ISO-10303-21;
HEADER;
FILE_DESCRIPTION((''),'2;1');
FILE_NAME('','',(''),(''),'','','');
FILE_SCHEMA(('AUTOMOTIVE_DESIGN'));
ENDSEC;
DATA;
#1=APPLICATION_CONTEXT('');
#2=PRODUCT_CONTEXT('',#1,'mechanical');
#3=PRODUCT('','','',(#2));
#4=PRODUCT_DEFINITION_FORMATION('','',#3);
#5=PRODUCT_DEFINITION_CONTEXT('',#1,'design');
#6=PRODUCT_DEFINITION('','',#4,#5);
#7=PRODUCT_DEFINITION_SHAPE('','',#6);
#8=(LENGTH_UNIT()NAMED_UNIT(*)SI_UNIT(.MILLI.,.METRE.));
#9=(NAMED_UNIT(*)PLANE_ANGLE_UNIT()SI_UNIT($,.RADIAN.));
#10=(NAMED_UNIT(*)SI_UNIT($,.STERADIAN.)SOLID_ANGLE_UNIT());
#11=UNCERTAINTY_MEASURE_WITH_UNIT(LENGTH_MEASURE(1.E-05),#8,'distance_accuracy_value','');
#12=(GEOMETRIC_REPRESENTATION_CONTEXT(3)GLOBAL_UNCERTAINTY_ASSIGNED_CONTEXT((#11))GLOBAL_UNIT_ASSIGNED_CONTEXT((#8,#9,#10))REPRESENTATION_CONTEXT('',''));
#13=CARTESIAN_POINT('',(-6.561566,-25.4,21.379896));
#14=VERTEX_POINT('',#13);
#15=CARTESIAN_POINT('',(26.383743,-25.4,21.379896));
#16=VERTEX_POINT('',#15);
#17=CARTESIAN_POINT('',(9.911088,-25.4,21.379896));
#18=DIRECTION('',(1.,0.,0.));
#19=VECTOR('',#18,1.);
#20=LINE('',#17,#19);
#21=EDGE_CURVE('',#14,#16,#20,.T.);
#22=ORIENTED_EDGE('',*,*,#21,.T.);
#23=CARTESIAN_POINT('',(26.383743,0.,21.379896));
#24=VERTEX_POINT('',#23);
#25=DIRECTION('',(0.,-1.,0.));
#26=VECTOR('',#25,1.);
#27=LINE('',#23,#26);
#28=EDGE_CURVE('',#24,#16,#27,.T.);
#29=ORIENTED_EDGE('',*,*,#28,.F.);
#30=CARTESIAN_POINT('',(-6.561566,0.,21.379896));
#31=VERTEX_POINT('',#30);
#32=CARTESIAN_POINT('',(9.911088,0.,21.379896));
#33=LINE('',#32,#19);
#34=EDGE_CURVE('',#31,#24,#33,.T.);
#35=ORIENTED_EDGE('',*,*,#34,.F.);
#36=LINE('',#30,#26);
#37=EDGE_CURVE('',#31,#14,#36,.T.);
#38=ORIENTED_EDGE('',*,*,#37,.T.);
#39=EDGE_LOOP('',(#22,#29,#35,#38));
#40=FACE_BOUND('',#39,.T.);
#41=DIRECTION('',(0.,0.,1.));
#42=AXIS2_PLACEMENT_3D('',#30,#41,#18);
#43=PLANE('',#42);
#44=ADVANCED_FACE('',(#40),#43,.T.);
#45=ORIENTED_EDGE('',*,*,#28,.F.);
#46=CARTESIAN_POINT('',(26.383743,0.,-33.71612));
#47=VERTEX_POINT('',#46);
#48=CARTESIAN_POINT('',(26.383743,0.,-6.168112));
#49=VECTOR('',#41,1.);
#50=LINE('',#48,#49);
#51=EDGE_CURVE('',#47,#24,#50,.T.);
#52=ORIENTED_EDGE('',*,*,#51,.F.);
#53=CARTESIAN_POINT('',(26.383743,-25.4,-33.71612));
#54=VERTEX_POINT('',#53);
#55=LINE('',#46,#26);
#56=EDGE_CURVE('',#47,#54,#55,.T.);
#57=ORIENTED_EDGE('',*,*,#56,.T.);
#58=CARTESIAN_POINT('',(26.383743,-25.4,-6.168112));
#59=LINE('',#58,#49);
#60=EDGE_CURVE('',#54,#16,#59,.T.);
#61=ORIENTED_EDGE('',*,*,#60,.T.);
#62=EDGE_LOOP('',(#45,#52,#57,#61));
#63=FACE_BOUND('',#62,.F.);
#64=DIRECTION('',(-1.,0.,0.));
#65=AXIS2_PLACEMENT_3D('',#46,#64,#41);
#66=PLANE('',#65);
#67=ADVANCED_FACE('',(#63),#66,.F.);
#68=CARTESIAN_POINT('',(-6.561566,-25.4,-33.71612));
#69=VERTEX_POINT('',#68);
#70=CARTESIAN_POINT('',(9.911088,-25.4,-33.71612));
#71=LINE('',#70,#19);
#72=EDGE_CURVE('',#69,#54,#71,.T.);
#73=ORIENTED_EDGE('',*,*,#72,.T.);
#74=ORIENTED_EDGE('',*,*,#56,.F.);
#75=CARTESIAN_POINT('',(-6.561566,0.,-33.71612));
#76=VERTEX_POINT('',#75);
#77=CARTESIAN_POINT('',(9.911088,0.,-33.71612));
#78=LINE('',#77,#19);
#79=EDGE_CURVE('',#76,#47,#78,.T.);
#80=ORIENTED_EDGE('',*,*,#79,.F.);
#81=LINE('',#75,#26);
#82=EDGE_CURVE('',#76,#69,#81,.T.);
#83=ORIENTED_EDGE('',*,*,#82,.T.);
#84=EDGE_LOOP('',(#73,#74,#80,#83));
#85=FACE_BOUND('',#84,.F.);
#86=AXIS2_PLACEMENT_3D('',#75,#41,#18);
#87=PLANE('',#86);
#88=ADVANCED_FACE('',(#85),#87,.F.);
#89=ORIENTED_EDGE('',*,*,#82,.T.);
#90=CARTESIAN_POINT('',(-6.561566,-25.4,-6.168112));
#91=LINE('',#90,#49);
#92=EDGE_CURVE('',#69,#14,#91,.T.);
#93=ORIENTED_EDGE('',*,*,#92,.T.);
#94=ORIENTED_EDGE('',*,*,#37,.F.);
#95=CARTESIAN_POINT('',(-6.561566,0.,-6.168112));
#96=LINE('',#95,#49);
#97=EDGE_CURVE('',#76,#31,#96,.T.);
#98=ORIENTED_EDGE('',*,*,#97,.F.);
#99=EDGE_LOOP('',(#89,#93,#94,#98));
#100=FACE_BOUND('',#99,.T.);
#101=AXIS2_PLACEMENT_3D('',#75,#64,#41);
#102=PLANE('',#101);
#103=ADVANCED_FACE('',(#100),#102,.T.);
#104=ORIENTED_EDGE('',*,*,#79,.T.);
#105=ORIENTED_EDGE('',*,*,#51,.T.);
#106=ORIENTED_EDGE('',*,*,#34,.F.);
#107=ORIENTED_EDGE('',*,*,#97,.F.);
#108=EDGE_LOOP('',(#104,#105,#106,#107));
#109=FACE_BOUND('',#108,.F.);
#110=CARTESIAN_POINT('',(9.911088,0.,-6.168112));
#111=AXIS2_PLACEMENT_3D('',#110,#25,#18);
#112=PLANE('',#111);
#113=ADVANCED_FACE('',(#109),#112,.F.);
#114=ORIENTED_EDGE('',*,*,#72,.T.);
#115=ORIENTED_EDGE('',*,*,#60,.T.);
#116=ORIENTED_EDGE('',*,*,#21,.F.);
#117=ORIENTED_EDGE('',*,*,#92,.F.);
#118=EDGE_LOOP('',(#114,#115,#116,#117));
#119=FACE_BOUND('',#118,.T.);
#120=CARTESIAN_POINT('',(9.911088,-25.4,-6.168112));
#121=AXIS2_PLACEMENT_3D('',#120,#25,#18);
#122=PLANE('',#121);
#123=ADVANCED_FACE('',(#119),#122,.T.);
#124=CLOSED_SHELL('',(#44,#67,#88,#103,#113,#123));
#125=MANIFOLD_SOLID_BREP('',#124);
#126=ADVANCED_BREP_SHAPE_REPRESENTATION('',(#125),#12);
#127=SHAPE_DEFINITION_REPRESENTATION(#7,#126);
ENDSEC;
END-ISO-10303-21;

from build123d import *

# Parameters (mm, degrees)
F0_W     = 32.945309
F0_H     = 55.096016
F1_DEPTH = 25.4
F2_DEPTH = 25.4


with BuildPart() as f1:
    # F0 (on Front) → F1 (new body)
    with BuildSketch(Plane.XZ):
        with Locations((9.911088, -6.168112)):
            Rectangle(F0_W, F0_H)
    extrude(amount=F1_DEPTH)

    # F0 (on Front) → F2 (join)
    with BuildSketch(Plane.XZ):
        with Locations((9.911088, -6.168112)):
            Rectangle(F0_W, F0_H)
    extrude(amount=F2_DEPTH)


solid = f1.part
